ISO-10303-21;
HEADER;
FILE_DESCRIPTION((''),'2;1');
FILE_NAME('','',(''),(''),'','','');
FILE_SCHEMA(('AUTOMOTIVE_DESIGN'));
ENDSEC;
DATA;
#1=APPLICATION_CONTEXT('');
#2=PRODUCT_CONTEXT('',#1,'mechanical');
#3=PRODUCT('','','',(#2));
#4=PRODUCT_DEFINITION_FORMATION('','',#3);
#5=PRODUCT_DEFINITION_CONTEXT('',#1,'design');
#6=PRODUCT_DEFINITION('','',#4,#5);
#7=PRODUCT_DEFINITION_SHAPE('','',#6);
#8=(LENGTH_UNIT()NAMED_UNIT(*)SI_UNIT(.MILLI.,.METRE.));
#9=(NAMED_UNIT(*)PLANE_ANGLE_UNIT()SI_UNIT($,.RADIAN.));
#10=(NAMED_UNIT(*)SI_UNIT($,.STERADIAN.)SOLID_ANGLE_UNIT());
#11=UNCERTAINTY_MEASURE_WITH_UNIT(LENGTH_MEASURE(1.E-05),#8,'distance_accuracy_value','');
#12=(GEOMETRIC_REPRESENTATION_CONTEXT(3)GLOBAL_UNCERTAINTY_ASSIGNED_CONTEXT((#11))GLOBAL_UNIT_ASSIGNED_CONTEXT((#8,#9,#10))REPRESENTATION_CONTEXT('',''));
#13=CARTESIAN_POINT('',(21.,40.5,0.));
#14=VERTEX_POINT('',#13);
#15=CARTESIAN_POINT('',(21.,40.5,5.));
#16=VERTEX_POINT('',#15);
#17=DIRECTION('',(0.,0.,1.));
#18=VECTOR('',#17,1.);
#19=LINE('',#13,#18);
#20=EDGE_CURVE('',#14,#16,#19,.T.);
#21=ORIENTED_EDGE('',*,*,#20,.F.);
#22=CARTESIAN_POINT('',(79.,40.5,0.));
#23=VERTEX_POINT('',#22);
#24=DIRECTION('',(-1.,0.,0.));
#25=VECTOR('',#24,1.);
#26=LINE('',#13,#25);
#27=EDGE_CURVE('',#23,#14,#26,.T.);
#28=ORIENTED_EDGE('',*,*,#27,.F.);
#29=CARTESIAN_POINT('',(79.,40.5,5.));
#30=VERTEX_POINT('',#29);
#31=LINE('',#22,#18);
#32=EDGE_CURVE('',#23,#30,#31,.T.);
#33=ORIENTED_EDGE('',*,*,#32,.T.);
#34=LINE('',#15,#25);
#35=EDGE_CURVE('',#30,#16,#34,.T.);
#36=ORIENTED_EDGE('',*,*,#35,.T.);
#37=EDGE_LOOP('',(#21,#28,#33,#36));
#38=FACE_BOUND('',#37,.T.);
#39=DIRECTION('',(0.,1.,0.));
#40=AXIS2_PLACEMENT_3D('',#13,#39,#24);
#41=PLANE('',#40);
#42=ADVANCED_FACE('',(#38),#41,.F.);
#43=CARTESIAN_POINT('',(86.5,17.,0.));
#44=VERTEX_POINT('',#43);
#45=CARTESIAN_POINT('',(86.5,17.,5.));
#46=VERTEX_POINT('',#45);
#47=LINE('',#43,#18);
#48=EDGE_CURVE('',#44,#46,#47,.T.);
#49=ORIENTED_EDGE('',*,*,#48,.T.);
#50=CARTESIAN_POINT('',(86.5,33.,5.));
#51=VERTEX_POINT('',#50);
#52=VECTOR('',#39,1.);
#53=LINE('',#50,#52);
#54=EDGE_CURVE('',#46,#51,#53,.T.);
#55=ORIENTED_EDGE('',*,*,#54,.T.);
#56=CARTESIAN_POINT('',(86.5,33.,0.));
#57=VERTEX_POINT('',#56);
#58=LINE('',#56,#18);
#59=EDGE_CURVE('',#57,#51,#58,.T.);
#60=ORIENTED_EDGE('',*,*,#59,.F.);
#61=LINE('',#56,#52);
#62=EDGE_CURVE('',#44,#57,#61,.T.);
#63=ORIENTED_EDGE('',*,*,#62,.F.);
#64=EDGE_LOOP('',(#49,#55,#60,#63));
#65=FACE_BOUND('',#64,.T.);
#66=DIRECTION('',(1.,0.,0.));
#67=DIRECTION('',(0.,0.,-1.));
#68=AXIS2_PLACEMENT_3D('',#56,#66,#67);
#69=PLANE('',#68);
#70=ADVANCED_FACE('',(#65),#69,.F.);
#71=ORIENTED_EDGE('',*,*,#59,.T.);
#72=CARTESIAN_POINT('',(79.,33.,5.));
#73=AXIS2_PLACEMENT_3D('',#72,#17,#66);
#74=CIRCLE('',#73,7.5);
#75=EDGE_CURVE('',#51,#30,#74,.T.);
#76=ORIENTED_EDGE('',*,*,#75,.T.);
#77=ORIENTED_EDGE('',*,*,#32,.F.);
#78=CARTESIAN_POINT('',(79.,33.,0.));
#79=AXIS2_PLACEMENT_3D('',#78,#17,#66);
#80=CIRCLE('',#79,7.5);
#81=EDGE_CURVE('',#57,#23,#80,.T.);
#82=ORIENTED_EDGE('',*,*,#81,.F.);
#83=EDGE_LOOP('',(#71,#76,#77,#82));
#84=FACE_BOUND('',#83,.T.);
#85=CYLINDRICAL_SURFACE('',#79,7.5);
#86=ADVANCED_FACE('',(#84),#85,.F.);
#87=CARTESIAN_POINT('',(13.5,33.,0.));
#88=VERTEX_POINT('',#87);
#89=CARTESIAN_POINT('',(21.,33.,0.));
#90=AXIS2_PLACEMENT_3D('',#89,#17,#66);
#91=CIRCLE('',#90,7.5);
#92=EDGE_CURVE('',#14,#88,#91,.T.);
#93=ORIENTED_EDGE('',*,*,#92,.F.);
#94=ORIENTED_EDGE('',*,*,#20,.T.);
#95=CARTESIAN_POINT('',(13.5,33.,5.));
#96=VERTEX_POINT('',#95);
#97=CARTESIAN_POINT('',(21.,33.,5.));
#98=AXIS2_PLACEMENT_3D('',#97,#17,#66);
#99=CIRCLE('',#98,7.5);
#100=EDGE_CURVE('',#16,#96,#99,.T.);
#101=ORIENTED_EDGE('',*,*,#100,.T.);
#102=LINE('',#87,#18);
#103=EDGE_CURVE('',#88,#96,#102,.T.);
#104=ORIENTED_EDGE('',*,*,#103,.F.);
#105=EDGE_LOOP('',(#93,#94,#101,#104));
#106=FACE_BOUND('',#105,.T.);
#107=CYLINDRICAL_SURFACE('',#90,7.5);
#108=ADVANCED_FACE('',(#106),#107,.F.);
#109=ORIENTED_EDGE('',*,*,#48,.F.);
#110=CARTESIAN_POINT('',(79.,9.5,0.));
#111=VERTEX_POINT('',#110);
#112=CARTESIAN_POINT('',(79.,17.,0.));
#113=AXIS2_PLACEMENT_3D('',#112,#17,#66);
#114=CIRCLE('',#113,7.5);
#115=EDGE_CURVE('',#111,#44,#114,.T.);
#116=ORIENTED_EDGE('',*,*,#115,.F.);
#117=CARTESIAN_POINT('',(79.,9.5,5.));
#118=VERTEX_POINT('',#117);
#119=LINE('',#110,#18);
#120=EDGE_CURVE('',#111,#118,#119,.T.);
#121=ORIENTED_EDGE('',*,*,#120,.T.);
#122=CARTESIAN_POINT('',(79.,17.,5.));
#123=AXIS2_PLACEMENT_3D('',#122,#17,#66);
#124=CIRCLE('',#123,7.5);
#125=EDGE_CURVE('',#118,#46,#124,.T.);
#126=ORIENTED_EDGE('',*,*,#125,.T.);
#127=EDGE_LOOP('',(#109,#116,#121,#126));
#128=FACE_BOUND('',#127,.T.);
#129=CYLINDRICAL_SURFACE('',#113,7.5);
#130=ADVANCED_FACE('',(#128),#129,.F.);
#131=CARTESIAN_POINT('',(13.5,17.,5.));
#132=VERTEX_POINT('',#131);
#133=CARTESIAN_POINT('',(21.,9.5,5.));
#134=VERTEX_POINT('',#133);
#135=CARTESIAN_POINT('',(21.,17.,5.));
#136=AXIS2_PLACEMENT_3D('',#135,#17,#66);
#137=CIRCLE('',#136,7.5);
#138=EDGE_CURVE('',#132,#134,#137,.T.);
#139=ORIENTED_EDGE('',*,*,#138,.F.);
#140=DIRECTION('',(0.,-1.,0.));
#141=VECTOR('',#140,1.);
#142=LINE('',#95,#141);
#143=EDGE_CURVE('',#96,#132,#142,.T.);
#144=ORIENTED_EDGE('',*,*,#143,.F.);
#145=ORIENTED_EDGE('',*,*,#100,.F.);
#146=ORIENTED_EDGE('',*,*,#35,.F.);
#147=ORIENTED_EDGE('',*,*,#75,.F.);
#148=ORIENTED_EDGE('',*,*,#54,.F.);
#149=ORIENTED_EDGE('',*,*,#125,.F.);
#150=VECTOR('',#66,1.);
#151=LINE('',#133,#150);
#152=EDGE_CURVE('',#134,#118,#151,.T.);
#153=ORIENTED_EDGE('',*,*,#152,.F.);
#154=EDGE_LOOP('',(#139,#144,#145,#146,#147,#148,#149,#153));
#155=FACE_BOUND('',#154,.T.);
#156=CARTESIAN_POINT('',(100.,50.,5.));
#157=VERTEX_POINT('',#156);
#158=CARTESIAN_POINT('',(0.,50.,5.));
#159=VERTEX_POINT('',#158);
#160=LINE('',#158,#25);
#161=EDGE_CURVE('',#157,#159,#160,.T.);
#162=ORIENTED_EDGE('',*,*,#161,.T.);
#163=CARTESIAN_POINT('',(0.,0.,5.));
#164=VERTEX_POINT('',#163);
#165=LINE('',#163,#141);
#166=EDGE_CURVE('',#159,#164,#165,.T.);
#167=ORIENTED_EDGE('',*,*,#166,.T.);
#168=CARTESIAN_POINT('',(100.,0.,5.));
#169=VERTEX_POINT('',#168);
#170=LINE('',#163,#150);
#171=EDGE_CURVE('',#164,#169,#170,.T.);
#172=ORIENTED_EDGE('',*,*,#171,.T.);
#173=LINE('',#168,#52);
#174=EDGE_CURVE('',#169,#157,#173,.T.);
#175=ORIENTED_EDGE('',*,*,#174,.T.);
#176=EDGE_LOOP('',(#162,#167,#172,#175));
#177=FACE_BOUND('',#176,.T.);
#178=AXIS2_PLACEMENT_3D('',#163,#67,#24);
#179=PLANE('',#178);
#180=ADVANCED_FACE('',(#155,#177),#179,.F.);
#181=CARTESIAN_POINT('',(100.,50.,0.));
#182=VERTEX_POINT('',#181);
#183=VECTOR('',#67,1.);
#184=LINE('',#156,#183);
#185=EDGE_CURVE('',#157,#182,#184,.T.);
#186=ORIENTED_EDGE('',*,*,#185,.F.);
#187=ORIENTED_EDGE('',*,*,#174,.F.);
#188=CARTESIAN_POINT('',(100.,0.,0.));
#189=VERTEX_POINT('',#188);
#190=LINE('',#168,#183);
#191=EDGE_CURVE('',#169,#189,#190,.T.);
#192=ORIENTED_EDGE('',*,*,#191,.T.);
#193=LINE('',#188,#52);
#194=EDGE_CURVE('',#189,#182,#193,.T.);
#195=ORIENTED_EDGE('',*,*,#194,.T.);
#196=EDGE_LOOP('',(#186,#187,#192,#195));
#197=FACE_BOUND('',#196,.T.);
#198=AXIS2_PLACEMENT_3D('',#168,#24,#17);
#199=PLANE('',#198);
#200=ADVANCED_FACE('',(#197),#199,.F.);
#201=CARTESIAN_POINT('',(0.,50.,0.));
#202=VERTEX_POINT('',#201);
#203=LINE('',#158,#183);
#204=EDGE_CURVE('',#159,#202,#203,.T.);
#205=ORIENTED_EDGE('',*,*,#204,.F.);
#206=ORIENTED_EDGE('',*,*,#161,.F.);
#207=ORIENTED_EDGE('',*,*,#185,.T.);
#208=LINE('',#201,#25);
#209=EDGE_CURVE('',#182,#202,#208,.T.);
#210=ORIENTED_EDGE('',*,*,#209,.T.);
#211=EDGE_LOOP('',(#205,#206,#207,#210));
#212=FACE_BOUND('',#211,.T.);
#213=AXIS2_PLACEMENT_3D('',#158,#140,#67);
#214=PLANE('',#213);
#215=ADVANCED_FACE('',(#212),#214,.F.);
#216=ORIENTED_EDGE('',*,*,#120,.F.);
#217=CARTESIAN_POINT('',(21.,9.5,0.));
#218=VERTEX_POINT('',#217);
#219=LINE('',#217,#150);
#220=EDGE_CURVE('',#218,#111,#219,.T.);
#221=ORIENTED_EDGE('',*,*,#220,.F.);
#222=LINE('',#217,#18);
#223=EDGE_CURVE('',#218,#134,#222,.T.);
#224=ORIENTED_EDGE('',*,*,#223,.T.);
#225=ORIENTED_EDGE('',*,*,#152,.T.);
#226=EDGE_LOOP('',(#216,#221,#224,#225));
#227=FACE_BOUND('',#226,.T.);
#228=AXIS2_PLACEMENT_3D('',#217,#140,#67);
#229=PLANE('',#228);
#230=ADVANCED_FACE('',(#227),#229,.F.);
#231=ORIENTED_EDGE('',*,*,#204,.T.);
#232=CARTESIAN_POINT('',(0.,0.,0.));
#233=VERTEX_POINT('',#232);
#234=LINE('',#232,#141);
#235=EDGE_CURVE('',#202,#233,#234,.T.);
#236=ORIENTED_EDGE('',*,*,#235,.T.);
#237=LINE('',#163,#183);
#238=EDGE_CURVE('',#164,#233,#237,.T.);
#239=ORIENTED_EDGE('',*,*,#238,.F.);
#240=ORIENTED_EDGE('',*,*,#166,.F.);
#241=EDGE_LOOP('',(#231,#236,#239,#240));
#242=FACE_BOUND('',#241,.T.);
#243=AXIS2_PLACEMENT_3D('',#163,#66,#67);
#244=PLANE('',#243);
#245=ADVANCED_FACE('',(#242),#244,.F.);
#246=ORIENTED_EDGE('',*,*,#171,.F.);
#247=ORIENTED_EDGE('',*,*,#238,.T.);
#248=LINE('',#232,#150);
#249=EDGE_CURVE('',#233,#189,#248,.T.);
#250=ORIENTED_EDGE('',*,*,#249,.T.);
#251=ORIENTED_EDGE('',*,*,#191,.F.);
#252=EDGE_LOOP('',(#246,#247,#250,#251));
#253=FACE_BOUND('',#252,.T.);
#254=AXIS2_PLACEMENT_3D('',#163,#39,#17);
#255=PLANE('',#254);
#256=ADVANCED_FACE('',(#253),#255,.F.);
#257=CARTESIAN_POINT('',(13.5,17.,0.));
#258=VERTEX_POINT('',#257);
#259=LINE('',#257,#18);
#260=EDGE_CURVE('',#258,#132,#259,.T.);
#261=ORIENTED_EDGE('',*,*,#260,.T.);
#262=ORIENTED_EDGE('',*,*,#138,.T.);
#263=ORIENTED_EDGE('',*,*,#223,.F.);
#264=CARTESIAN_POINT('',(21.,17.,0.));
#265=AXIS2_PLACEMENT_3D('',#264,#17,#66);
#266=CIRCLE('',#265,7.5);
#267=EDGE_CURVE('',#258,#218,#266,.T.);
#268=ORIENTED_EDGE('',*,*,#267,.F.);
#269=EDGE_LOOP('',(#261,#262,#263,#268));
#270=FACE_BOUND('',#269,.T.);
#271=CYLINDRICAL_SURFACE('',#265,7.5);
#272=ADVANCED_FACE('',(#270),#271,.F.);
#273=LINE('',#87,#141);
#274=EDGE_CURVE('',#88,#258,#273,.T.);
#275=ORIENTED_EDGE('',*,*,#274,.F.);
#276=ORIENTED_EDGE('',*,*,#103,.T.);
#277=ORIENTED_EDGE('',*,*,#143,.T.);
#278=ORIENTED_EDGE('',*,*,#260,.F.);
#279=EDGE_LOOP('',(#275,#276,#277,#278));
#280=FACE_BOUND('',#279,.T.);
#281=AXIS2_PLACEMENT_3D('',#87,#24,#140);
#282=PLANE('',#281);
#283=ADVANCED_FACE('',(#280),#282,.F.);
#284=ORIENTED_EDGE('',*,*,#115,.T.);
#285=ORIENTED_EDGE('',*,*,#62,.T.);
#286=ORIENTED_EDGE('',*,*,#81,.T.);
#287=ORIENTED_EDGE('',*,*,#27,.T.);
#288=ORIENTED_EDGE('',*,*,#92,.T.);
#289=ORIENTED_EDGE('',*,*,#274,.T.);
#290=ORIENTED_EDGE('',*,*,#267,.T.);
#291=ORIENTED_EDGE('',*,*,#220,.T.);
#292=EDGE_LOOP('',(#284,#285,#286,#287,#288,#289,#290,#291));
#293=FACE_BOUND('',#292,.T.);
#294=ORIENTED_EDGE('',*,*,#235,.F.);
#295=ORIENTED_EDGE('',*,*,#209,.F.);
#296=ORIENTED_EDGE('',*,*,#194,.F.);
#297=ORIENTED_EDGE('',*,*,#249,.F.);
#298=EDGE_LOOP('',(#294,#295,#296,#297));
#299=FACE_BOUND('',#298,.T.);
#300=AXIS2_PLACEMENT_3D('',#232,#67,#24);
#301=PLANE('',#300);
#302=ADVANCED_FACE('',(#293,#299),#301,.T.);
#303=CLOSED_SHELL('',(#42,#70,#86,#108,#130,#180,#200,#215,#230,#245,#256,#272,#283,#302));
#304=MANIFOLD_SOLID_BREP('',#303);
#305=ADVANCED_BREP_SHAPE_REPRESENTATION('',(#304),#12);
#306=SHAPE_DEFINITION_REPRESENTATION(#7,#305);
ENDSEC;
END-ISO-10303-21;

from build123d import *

# Parameters (mm, degrees)
SKETCH1_W           = 100
SKETCH1_H           = 50
BOSS_EXTRUDE1_DEPTH = 5
CUT_EXTRUDE1_DEPTH  = 5


with BuildPart() as part:
    # Sketch1 → Boss-Extrude1 (new body)
    with BuildSketch(Plane.XY):
        with Locations((50, 25)):
            Rectangle(SKETCH1_W, SKETCH1_H)
    extrude(amount=BOSS_EXTRUDE1_DEPTH)

    # Sketch2 → Cut-Extrude1 (cut)
    with BuildSketch(Plane.XY.offset(5)):
        with BuildLine():
            Line((21, 40.5), (79, 40.5))
            ThreePointArc((79, 40.5), (84.303300859, 38.303300859), (86.5, 33))
            Line((86.5, 33), (86.5, 17))
            ThreePointArc((86.5, 17), (84.303300859, 11.696699141), (79, 9.5))
            Line((79, 9.5), (21, 9.5))
            ThreePointArc((21, 9.5), (15.696699141, 11.696699141), (13.5, 17))
            Line((13.5, 17), (13.5, 33))
            ThreePointArc((13.5, 33), (15.696699141, 38.303300859), (21, 40.5))
        make_face()
    extrude(amount=-CUT_EXTRUDE1_DEPTH, mode=Mode.SUBTRACT)


solid = part.part
